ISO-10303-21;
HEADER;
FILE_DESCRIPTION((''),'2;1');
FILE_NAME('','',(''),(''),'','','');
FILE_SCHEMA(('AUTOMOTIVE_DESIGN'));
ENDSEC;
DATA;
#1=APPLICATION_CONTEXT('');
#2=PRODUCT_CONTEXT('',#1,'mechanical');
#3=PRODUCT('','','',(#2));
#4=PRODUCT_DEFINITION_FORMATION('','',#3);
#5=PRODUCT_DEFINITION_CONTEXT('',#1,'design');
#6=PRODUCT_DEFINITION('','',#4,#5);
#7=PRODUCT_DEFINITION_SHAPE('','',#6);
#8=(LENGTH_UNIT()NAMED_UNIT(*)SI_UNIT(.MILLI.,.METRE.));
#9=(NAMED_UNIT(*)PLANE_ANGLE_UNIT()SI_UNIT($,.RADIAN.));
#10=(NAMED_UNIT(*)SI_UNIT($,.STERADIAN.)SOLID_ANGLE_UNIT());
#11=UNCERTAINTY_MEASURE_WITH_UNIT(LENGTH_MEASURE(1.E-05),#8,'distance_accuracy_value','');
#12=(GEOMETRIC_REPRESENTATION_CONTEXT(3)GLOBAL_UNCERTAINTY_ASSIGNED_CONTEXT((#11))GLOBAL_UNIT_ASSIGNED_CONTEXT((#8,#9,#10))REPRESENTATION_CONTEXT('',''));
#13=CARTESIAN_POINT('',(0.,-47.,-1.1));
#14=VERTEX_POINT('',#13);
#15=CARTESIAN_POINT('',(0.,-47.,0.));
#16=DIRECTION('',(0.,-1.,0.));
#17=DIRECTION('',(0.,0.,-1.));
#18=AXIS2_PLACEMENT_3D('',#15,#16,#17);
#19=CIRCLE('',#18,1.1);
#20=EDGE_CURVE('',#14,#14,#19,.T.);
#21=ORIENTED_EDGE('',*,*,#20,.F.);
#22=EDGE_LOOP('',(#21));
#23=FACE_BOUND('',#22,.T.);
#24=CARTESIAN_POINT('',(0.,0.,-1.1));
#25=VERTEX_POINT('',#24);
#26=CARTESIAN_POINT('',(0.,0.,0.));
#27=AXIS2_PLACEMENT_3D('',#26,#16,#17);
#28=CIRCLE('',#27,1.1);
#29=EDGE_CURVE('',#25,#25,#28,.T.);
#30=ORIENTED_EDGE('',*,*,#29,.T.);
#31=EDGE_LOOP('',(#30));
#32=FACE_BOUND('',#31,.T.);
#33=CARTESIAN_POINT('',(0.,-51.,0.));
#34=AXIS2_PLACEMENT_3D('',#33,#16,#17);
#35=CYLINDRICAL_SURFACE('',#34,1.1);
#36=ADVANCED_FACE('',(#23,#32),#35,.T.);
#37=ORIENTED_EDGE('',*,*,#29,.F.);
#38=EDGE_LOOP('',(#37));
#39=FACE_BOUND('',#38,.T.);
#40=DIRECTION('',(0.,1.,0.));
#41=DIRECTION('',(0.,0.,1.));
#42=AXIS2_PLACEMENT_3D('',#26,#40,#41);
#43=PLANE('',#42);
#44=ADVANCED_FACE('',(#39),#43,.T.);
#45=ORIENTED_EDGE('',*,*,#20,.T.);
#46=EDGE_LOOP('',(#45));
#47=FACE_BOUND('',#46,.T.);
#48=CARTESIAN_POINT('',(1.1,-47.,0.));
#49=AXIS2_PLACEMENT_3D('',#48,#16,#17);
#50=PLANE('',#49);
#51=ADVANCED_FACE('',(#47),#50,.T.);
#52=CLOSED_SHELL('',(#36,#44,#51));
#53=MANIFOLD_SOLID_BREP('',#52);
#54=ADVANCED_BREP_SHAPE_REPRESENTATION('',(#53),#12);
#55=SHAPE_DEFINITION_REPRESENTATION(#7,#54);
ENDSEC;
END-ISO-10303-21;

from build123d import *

# Parameters (mm, degrees)
SKETCH1_W = 1.1
SKETCH1_H = 47


with BuildPart() as part:
    # Sketch1 → Tendon (revolve)
    with BuildSketch(Plane.XY, mode=Mode.PRIVATE) as tendon_sk:
        with Locations((0.55, -23.5)):
            Rectangle(SKETCH1_W, SKETCH1_H)
    revolve(tendon_sk.sketch.rotate(Axis((0, -51, 0), (0, 1, 0)), 90), axis=Axis((0, -51, 0), (0, 1, 0)))


solid = part.part
